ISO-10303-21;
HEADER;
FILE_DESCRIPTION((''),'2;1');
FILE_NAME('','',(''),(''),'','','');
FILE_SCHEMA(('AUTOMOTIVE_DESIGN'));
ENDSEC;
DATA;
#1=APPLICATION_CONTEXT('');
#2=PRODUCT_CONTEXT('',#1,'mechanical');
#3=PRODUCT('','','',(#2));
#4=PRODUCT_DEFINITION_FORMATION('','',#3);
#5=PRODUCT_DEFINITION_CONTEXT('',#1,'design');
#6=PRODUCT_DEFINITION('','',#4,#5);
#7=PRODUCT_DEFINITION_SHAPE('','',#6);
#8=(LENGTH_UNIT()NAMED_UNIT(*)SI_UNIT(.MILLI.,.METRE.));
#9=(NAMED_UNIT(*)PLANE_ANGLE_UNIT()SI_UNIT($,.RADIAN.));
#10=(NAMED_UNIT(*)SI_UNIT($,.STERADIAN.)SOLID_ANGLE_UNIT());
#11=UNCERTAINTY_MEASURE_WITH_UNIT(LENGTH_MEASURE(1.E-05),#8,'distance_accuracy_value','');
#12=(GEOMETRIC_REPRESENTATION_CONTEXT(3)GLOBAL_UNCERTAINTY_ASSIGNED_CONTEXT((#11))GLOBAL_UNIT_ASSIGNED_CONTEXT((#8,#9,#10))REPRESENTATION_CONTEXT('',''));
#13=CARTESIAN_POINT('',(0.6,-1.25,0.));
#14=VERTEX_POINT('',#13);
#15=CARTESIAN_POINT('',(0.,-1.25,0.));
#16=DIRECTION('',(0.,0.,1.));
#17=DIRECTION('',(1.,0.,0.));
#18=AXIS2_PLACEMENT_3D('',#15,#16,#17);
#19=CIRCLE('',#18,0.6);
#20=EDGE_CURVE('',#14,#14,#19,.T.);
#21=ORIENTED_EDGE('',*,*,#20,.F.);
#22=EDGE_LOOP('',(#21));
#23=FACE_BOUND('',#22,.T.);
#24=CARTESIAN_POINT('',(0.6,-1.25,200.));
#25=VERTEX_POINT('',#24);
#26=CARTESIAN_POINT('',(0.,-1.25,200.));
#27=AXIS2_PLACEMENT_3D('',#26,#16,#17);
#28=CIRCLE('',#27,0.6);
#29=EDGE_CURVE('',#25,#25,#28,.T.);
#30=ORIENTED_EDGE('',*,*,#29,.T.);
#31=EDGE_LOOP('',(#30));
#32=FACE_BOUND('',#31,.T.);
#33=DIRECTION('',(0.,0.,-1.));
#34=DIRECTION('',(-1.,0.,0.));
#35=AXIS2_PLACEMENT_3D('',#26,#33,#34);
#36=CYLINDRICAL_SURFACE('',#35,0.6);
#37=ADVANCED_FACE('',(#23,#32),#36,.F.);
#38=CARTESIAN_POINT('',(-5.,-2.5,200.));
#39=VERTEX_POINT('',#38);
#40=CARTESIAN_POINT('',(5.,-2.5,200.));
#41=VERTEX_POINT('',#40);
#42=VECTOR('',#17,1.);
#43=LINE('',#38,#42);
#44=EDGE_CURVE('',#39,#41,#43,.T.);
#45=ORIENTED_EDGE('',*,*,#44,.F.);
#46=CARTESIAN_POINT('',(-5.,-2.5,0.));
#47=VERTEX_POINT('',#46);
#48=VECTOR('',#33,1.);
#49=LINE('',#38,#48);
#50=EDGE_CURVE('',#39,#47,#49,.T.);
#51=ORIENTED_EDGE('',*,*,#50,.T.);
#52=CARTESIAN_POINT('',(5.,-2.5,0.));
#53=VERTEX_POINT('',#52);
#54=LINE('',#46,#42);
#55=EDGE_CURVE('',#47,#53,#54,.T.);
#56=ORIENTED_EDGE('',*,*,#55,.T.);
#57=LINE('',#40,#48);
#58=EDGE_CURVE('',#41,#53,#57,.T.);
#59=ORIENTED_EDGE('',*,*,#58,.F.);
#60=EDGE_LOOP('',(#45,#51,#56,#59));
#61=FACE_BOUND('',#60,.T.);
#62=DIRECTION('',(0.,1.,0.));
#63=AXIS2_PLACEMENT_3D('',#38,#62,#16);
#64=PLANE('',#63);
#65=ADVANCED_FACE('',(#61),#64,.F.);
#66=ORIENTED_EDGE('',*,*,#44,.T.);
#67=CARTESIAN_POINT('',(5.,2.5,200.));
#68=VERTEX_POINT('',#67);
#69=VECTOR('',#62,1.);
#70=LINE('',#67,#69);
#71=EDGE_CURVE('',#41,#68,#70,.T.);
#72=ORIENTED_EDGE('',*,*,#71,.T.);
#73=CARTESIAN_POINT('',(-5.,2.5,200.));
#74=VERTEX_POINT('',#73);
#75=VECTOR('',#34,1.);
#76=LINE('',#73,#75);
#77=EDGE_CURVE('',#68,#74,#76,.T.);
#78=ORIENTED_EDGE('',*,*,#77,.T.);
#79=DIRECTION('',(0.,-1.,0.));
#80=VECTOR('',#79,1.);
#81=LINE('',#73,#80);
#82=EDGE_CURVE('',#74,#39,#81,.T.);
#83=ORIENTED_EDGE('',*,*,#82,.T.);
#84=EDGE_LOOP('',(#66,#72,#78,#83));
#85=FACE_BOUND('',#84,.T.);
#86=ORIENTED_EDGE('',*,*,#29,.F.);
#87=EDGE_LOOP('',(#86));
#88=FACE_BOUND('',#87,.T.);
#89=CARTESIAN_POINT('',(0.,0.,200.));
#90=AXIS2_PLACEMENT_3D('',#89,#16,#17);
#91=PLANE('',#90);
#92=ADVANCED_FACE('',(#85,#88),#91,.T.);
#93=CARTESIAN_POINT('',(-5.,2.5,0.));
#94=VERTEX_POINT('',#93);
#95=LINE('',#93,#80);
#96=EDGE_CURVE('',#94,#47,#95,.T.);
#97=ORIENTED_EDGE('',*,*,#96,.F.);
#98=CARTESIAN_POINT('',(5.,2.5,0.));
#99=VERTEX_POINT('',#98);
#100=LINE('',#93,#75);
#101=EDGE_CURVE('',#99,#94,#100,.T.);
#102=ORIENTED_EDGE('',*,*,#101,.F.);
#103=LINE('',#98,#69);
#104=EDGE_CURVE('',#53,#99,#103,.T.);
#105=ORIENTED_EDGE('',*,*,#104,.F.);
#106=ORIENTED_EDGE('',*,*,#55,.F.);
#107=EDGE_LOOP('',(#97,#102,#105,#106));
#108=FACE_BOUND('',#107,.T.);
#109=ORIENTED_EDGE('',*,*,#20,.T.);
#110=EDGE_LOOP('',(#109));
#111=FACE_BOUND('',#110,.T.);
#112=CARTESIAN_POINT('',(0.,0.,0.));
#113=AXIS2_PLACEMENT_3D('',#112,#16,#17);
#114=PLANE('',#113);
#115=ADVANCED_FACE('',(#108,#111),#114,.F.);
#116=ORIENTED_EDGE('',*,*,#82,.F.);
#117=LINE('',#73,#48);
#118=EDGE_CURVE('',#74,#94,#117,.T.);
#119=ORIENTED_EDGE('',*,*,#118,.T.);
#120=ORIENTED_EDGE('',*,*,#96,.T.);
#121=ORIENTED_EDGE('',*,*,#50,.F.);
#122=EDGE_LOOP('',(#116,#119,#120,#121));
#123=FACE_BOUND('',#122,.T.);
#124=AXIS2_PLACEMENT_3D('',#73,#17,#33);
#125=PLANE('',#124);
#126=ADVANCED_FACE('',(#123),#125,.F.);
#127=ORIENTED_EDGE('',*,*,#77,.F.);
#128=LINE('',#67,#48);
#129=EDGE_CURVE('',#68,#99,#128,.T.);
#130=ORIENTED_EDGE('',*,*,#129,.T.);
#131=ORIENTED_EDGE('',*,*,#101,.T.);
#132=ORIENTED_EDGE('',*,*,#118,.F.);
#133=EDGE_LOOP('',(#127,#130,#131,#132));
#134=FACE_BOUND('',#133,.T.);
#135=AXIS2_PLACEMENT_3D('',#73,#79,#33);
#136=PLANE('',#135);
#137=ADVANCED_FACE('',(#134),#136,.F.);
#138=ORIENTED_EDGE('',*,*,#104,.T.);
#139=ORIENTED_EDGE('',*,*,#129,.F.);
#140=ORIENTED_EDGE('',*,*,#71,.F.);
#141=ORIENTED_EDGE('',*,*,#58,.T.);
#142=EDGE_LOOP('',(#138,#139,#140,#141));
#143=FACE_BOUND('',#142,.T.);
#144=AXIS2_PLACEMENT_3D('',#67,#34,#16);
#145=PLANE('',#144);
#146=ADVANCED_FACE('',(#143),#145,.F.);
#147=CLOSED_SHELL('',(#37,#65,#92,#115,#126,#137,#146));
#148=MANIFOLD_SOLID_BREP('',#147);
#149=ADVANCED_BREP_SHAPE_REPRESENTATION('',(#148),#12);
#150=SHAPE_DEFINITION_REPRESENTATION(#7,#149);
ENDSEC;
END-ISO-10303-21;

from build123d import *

# Parameters (mm, degrees)
SKIZZE1_W                       = 10
SKIZZE1_H                       = 5
AUFSATZ_LINEAR_AUSTRAGEN1_DEPTH = 200
SKIZZE2_R                       = 0.6
SCHNITT_LINEAR_AUSTRAGEN1_DEPTH = 201


with BuildPart() as part:
    # Skizze1 → Aufsatz-Linear austragen1 (new body)
    with BuildSketch(Plane.XY):
        Rectangle(SKIZZE1_W, SKIZZE1_H)
    extrude(amount=AUFSATZ_LINEAR_AUSTRAGEN1_DEPTH)

    # Skizze2 → Schnitt-Linear austragen1 (cut, through all)
    with BuildSketch(Plane.XY):
        with Locations((0, -1.25)):
            Circle(SKIZZE2_R)
    extrude(amount=SCHNITT_LINEAR_AUSTRAGEN1_DEPTH, mode=Mode.SUBTRACT)


solid = part.part
